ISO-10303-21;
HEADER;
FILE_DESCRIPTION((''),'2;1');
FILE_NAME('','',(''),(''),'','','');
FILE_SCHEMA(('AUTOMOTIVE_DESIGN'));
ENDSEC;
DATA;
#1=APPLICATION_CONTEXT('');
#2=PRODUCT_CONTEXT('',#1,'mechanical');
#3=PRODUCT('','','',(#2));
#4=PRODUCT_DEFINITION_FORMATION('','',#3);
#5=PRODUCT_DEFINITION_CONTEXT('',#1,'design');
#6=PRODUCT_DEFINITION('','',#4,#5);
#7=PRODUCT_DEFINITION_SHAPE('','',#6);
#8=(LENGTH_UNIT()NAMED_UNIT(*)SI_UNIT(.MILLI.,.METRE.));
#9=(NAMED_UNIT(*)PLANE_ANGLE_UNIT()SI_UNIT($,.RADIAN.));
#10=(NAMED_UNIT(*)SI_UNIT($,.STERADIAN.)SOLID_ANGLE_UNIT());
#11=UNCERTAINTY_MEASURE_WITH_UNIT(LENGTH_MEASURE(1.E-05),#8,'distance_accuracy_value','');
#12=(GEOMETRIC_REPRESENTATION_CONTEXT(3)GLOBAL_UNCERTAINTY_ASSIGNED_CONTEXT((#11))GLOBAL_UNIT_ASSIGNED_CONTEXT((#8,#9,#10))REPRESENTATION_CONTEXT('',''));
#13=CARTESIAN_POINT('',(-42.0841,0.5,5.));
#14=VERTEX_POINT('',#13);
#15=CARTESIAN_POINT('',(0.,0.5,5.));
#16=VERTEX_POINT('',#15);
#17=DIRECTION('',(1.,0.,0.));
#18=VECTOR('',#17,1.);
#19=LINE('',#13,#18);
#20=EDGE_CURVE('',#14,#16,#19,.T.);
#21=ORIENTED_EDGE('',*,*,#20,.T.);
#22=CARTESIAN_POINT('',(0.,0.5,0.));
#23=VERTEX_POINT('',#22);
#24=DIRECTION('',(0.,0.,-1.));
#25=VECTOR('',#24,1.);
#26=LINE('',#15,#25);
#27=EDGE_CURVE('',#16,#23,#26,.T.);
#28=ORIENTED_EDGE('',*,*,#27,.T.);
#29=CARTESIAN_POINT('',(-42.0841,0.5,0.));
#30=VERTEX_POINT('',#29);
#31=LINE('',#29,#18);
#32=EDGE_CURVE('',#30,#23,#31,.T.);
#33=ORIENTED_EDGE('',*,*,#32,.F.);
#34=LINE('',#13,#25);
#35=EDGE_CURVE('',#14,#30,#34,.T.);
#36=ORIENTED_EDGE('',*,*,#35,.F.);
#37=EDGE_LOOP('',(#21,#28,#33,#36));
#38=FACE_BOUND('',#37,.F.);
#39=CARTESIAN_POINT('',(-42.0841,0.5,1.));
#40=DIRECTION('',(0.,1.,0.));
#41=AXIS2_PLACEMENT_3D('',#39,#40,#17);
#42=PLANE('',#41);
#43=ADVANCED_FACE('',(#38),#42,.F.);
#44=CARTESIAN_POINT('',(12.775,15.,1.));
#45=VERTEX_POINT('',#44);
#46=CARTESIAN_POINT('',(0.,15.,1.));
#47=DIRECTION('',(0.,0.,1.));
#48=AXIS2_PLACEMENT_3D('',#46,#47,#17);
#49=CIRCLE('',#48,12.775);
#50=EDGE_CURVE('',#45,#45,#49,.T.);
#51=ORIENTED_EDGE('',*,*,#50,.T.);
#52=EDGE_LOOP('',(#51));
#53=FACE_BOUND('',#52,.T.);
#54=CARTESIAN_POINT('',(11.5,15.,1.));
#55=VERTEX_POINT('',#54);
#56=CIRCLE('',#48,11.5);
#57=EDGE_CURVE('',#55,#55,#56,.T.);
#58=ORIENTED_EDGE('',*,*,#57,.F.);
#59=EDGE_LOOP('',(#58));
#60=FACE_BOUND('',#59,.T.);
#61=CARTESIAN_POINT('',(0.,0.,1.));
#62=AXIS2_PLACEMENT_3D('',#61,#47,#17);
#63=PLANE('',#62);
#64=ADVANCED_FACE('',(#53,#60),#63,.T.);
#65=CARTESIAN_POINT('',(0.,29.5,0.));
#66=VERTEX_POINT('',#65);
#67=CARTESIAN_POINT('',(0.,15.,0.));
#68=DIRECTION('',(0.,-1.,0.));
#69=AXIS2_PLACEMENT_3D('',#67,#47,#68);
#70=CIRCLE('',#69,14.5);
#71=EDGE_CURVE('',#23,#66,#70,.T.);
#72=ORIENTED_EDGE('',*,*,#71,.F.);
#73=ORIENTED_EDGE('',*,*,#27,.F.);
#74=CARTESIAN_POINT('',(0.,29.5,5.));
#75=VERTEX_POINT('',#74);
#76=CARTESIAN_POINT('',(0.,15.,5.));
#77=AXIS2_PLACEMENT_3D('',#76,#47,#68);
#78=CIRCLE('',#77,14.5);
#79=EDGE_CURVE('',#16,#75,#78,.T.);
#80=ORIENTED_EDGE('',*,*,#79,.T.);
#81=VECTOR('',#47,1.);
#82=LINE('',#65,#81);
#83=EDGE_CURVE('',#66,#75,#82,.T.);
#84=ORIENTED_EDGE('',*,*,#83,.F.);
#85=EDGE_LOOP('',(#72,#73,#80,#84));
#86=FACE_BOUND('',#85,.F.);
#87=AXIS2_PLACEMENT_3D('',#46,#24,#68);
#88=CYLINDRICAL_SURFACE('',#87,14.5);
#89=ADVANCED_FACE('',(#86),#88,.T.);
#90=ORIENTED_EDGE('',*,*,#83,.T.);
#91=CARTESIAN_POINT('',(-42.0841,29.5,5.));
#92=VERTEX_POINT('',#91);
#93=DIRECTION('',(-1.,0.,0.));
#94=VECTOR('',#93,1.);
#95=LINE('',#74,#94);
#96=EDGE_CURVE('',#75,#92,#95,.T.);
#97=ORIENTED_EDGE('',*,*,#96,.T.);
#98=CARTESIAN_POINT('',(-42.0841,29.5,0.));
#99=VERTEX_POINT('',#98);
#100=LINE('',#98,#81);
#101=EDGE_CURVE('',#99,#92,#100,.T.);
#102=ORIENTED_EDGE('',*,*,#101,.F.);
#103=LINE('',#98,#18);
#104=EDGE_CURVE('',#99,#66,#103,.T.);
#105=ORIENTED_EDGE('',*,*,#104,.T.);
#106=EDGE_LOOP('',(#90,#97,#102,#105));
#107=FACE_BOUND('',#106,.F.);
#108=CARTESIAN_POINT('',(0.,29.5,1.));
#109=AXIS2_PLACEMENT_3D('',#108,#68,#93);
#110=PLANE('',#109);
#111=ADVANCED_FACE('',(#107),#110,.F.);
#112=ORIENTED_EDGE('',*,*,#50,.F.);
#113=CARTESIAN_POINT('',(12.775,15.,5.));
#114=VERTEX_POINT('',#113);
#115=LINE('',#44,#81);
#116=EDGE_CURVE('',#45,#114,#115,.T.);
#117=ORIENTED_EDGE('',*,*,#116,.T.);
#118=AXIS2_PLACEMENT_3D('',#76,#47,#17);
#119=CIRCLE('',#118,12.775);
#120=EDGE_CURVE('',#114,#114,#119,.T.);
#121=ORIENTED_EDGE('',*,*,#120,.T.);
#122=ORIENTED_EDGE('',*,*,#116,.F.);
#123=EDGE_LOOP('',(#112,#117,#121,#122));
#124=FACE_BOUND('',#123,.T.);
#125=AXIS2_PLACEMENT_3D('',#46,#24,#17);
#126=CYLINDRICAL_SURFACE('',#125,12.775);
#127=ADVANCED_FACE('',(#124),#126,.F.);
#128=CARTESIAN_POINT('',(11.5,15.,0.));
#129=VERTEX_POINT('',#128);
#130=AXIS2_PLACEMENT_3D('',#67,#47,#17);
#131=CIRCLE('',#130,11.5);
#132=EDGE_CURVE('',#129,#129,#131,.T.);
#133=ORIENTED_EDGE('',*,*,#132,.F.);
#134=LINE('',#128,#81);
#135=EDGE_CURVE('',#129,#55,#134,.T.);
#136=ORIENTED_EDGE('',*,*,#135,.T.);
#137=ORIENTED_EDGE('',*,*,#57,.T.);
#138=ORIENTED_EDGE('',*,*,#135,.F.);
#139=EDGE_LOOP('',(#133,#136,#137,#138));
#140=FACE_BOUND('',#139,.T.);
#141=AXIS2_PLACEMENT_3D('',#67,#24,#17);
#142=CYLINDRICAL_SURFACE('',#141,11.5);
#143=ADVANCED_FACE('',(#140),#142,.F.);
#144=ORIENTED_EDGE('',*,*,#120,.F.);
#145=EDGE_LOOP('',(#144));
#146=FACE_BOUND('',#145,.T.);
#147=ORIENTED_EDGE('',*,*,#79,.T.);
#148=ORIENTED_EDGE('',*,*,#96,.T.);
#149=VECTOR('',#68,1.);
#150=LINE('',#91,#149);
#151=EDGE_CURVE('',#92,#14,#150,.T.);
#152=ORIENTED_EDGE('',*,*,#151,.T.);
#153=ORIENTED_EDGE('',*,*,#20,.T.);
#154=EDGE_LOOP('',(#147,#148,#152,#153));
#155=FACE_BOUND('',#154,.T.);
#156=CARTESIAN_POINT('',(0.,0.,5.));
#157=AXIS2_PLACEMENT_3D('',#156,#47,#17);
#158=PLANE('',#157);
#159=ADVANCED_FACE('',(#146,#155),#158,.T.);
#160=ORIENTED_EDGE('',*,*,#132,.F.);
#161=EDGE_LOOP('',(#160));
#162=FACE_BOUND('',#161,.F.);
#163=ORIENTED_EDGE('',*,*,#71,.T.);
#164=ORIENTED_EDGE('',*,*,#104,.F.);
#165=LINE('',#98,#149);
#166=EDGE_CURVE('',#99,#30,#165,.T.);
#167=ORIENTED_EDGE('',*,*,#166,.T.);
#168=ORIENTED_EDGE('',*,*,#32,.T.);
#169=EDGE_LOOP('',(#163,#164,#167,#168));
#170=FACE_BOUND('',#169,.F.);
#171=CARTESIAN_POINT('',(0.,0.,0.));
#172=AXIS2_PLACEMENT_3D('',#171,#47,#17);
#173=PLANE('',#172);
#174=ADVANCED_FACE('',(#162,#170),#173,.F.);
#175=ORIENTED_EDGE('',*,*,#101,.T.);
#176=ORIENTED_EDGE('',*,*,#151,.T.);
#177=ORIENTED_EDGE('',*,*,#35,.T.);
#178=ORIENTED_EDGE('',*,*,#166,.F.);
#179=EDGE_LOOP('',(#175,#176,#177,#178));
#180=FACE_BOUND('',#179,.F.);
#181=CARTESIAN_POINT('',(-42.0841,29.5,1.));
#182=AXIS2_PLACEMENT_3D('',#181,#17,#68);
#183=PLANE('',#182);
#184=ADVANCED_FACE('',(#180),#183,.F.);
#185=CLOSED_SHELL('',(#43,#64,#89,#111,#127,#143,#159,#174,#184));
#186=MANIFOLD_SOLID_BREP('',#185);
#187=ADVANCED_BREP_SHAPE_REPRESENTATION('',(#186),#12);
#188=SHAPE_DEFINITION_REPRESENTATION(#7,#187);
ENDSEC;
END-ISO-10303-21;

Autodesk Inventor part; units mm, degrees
ref_plane "YZ Plane" through (0, 0, 0) normal (1, 0, 0) x (0, 1, 0)
ref_plane "XZ Plane" through (0, 0, 0) normal (0, 1, 0) x (-1, 0, 0)
ref_plane "XY Plane" through (0, 0, 0) normal (0, 0, 1) x (1, 0, 0)
ref_plane "Work Plane1" through (0, 0, 0) normal (0, 0, 1) x (1, 0, 0)
sketch "Sketch1" plane through (0, 0, 0) normal (0, 0, 1) x (1, 0, 0)
  arc A0 (-18.155, 30) -> (-18.155, 0) centre (0, 15) ccw construction
  line L0 (-18.155, 0) -> (-3.4871, 0) construction
  line L1 (-18.155, 30) -> (-3.4871, 30) construction
  circle A1 centre (0, 15) radius 15.4 construction
  arc A2 (-6.5238, 29.5) -> (-6.5238, 0.5) centre (0, 15) ccw construction
  line L2 (-6.5238, 0.5) -> (-17.9179, 0.5) construction
  arc A3 (-17.9179, 29.5) -> (-17.9179, 0.5) centre (0, 15) ccw construction
  line L3 (-17.9179, 29.5) -> (-6.5238, 29.5) construction
  circle A4 centre (0, 15) radius 12.775 construction
  line L4 (-6.5238, 29.5) -> (0, 29.5) construction
  line L5 (-6.5238, 0.5) -> (0, 0.5) construction
  arc A5 (0, 0.5) -> (0, 29.5) centre (0, 15) ccw construction
  line L6 (-42.0841, 29.5) -> (-42.0841, 0.5)
  line L7 (-42.0841, 0.5) -> (0, 0.5)
  line L8 (-42.0841, 29.5) -> (0, 29.5)
  circle A6 centre (0, 15) radius 11.5
  arc A7 (0, 0.5) -> (0, 29.5) centre (0, 15) ccw
  arc A8 (-3.4871, 0) -> (3.4871, 0) centre (0, 15) ccw projected
  line L9 (3.4871, 0) -> (18, 0) projected
  line L10 (18, 0) -> (18, 30) projected
  line L11 (3.4871, 30) -> (18, 30) projected
  arc A9 (3.4871, 30) -> (-3.4871, 30) centre (0, 15) ccw projected
  line L12 (-7.3927, 28.5095) -> (7.3927, 28.5095) projected
  arc A10 (7.3927, 1.4905) -> (7.3927, 28.5095) centre (0, 15) ccw projected
  line L13 (7.3927, 1.4905) -> (-7.3927, 1.4905) projected
  arc A11 (-7.3927, 28.5095) -> (-7.3927, 1.4905) centre (0, 15) ccw projected
  point P0 (0, 0)
  dimension "d0" = 0.5
  dimension "d1" = 25.55
  dimension "d2" = 23
extrude "Extrusion1" add sketch "Sketch1" along normal blind 1 contours L8 A7 L12 A11 L13 L7 L6 | A7 L13 A11 L12
sketch "Sketch2" plane through (0, 0, 1) normal (0, 0, 1) x (1, 0, 0)
  circle A0 centre (0, 15) radius 11.5 projected
  line L0 (0, 29.5) -> (-42.0841, 29.5) projected
  line L1 (-42.0841, 29.5) -> (-42.0841, 0.5) projected
  line L2 (-42.0841, 0.5) -> (0, 0.5) projected
  arc A1 (0, 0.5) -> (0, 29.5) centre (0, 15) ccw projected
  circle A2 centre (0, 15) radius 12.775
  point P0 (0, 0)
  dimension "d5" = 25.55
extrude "Extrusion2" add sketch "Sketch2" along normal blind 4 contours A1 L2 L1 L0
properties part number "10_Filteslide_25mm"
